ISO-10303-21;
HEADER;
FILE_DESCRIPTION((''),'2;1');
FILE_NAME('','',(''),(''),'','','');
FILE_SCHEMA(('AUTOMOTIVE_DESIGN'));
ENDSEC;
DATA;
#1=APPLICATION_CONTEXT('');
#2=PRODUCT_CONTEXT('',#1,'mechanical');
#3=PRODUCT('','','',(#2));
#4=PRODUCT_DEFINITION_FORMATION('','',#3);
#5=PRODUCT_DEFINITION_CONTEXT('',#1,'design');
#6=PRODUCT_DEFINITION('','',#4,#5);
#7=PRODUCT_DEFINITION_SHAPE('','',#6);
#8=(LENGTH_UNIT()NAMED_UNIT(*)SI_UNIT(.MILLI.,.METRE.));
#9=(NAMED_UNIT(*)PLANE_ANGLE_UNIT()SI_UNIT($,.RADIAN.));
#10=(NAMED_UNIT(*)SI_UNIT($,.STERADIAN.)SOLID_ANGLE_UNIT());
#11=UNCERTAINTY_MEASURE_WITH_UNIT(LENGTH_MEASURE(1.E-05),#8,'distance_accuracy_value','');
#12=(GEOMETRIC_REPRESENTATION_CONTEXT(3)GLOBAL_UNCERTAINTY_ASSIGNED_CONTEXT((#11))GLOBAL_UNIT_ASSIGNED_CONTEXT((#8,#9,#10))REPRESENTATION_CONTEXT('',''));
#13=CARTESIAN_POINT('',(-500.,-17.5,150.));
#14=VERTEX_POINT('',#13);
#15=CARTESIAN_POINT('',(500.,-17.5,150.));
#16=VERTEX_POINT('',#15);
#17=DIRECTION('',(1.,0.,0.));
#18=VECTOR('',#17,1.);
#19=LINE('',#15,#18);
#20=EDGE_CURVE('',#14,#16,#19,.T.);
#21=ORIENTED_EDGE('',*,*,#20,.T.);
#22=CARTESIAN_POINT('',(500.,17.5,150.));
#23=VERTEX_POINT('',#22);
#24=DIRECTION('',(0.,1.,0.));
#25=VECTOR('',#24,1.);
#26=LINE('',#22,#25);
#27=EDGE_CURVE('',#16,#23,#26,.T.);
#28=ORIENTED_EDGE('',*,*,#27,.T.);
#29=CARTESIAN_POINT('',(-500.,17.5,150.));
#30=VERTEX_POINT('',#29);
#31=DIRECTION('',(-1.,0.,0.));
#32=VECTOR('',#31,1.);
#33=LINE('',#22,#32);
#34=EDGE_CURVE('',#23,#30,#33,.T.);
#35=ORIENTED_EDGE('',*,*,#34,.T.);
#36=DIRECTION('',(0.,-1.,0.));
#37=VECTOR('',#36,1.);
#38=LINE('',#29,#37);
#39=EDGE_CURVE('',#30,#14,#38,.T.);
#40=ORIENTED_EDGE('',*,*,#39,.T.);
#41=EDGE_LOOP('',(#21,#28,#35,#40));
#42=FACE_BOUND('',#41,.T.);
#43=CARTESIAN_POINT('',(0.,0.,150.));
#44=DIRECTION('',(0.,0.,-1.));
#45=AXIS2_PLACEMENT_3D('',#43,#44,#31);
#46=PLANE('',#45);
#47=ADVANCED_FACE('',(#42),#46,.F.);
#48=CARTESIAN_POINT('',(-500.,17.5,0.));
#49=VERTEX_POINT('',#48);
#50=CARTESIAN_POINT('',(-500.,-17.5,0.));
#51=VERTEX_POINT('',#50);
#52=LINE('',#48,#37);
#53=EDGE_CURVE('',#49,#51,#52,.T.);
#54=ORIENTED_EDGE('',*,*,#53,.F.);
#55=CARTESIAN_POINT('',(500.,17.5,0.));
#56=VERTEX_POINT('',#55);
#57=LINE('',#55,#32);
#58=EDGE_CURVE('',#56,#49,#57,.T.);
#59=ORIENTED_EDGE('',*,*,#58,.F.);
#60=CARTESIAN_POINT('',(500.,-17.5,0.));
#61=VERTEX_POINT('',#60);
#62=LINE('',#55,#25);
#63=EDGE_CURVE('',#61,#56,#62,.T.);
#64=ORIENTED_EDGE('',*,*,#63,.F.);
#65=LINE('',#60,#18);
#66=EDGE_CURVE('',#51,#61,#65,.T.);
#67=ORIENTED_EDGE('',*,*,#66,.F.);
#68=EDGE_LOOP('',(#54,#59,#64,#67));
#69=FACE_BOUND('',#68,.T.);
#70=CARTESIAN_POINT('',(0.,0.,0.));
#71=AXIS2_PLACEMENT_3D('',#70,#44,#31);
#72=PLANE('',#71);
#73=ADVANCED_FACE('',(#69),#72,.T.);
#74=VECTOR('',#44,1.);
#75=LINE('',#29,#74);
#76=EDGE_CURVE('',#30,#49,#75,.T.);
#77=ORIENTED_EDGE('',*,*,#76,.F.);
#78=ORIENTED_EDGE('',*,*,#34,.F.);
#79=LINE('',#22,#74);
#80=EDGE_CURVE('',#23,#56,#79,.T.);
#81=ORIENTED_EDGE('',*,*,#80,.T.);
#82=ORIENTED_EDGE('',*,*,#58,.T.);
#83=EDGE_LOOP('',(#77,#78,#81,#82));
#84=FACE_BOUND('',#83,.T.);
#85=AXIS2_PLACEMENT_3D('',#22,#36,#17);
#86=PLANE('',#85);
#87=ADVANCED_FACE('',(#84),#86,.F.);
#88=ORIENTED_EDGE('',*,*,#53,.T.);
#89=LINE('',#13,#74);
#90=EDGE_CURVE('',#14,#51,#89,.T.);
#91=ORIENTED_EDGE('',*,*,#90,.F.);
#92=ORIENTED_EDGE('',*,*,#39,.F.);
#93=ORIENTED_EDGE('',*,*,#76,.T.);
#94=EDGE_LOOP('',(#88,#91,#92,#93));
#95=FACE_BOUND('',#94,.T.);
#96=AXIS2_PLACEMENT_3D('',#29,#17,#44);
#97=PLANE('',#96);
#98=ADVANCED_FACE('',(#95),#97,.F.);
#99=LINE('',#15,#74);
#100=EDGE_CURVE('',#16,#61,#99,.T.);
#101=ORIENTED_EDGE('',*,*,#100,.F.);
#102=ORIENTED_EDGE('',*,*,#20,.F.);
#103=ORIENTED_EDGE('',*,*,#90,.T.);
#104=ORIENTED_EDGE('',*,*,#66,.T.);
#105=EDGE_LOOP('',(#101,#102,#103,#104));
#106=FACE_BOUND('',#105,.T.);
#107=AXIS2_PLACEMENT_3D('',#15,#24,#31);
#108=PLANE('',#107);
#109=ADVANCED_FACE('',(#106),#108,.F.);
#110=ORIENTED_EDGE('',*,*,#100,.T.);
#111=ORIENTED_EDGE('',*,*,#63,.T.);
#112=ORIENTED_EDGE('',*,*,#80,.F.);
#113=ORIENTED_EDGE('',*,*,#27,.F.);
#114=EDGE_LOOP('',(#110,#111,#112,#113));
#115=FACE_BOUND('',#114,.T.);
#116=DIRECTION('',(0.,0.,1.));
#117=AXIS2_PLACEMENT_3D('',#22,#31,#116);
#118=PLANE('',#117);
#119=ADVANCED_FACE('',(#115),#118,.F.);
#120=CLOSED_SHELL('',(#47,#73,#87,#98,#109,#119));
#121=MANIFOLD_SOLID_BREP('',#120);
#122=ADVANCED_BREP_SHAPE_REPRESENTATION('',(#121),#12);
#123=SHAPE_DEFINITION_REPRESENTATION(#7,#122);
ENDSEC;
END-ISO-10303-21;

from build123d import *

# Parameters (mm, degrees)
SKETCH1_W           = 1000
SKETCH1_H           = 35
BOSS_EXTRUDE1_DEPTH = 150


with BuildPart() as part:
    # Sketch1 → Boss-Extrude1 (new body)
    with BuildSketch(Plane.XY):
        Rectangle(SKETCH1_W, SKETCH1_H)
    extrude(amount=BOSS_EXTRUDE1_DEPTH)


solid = part.part
